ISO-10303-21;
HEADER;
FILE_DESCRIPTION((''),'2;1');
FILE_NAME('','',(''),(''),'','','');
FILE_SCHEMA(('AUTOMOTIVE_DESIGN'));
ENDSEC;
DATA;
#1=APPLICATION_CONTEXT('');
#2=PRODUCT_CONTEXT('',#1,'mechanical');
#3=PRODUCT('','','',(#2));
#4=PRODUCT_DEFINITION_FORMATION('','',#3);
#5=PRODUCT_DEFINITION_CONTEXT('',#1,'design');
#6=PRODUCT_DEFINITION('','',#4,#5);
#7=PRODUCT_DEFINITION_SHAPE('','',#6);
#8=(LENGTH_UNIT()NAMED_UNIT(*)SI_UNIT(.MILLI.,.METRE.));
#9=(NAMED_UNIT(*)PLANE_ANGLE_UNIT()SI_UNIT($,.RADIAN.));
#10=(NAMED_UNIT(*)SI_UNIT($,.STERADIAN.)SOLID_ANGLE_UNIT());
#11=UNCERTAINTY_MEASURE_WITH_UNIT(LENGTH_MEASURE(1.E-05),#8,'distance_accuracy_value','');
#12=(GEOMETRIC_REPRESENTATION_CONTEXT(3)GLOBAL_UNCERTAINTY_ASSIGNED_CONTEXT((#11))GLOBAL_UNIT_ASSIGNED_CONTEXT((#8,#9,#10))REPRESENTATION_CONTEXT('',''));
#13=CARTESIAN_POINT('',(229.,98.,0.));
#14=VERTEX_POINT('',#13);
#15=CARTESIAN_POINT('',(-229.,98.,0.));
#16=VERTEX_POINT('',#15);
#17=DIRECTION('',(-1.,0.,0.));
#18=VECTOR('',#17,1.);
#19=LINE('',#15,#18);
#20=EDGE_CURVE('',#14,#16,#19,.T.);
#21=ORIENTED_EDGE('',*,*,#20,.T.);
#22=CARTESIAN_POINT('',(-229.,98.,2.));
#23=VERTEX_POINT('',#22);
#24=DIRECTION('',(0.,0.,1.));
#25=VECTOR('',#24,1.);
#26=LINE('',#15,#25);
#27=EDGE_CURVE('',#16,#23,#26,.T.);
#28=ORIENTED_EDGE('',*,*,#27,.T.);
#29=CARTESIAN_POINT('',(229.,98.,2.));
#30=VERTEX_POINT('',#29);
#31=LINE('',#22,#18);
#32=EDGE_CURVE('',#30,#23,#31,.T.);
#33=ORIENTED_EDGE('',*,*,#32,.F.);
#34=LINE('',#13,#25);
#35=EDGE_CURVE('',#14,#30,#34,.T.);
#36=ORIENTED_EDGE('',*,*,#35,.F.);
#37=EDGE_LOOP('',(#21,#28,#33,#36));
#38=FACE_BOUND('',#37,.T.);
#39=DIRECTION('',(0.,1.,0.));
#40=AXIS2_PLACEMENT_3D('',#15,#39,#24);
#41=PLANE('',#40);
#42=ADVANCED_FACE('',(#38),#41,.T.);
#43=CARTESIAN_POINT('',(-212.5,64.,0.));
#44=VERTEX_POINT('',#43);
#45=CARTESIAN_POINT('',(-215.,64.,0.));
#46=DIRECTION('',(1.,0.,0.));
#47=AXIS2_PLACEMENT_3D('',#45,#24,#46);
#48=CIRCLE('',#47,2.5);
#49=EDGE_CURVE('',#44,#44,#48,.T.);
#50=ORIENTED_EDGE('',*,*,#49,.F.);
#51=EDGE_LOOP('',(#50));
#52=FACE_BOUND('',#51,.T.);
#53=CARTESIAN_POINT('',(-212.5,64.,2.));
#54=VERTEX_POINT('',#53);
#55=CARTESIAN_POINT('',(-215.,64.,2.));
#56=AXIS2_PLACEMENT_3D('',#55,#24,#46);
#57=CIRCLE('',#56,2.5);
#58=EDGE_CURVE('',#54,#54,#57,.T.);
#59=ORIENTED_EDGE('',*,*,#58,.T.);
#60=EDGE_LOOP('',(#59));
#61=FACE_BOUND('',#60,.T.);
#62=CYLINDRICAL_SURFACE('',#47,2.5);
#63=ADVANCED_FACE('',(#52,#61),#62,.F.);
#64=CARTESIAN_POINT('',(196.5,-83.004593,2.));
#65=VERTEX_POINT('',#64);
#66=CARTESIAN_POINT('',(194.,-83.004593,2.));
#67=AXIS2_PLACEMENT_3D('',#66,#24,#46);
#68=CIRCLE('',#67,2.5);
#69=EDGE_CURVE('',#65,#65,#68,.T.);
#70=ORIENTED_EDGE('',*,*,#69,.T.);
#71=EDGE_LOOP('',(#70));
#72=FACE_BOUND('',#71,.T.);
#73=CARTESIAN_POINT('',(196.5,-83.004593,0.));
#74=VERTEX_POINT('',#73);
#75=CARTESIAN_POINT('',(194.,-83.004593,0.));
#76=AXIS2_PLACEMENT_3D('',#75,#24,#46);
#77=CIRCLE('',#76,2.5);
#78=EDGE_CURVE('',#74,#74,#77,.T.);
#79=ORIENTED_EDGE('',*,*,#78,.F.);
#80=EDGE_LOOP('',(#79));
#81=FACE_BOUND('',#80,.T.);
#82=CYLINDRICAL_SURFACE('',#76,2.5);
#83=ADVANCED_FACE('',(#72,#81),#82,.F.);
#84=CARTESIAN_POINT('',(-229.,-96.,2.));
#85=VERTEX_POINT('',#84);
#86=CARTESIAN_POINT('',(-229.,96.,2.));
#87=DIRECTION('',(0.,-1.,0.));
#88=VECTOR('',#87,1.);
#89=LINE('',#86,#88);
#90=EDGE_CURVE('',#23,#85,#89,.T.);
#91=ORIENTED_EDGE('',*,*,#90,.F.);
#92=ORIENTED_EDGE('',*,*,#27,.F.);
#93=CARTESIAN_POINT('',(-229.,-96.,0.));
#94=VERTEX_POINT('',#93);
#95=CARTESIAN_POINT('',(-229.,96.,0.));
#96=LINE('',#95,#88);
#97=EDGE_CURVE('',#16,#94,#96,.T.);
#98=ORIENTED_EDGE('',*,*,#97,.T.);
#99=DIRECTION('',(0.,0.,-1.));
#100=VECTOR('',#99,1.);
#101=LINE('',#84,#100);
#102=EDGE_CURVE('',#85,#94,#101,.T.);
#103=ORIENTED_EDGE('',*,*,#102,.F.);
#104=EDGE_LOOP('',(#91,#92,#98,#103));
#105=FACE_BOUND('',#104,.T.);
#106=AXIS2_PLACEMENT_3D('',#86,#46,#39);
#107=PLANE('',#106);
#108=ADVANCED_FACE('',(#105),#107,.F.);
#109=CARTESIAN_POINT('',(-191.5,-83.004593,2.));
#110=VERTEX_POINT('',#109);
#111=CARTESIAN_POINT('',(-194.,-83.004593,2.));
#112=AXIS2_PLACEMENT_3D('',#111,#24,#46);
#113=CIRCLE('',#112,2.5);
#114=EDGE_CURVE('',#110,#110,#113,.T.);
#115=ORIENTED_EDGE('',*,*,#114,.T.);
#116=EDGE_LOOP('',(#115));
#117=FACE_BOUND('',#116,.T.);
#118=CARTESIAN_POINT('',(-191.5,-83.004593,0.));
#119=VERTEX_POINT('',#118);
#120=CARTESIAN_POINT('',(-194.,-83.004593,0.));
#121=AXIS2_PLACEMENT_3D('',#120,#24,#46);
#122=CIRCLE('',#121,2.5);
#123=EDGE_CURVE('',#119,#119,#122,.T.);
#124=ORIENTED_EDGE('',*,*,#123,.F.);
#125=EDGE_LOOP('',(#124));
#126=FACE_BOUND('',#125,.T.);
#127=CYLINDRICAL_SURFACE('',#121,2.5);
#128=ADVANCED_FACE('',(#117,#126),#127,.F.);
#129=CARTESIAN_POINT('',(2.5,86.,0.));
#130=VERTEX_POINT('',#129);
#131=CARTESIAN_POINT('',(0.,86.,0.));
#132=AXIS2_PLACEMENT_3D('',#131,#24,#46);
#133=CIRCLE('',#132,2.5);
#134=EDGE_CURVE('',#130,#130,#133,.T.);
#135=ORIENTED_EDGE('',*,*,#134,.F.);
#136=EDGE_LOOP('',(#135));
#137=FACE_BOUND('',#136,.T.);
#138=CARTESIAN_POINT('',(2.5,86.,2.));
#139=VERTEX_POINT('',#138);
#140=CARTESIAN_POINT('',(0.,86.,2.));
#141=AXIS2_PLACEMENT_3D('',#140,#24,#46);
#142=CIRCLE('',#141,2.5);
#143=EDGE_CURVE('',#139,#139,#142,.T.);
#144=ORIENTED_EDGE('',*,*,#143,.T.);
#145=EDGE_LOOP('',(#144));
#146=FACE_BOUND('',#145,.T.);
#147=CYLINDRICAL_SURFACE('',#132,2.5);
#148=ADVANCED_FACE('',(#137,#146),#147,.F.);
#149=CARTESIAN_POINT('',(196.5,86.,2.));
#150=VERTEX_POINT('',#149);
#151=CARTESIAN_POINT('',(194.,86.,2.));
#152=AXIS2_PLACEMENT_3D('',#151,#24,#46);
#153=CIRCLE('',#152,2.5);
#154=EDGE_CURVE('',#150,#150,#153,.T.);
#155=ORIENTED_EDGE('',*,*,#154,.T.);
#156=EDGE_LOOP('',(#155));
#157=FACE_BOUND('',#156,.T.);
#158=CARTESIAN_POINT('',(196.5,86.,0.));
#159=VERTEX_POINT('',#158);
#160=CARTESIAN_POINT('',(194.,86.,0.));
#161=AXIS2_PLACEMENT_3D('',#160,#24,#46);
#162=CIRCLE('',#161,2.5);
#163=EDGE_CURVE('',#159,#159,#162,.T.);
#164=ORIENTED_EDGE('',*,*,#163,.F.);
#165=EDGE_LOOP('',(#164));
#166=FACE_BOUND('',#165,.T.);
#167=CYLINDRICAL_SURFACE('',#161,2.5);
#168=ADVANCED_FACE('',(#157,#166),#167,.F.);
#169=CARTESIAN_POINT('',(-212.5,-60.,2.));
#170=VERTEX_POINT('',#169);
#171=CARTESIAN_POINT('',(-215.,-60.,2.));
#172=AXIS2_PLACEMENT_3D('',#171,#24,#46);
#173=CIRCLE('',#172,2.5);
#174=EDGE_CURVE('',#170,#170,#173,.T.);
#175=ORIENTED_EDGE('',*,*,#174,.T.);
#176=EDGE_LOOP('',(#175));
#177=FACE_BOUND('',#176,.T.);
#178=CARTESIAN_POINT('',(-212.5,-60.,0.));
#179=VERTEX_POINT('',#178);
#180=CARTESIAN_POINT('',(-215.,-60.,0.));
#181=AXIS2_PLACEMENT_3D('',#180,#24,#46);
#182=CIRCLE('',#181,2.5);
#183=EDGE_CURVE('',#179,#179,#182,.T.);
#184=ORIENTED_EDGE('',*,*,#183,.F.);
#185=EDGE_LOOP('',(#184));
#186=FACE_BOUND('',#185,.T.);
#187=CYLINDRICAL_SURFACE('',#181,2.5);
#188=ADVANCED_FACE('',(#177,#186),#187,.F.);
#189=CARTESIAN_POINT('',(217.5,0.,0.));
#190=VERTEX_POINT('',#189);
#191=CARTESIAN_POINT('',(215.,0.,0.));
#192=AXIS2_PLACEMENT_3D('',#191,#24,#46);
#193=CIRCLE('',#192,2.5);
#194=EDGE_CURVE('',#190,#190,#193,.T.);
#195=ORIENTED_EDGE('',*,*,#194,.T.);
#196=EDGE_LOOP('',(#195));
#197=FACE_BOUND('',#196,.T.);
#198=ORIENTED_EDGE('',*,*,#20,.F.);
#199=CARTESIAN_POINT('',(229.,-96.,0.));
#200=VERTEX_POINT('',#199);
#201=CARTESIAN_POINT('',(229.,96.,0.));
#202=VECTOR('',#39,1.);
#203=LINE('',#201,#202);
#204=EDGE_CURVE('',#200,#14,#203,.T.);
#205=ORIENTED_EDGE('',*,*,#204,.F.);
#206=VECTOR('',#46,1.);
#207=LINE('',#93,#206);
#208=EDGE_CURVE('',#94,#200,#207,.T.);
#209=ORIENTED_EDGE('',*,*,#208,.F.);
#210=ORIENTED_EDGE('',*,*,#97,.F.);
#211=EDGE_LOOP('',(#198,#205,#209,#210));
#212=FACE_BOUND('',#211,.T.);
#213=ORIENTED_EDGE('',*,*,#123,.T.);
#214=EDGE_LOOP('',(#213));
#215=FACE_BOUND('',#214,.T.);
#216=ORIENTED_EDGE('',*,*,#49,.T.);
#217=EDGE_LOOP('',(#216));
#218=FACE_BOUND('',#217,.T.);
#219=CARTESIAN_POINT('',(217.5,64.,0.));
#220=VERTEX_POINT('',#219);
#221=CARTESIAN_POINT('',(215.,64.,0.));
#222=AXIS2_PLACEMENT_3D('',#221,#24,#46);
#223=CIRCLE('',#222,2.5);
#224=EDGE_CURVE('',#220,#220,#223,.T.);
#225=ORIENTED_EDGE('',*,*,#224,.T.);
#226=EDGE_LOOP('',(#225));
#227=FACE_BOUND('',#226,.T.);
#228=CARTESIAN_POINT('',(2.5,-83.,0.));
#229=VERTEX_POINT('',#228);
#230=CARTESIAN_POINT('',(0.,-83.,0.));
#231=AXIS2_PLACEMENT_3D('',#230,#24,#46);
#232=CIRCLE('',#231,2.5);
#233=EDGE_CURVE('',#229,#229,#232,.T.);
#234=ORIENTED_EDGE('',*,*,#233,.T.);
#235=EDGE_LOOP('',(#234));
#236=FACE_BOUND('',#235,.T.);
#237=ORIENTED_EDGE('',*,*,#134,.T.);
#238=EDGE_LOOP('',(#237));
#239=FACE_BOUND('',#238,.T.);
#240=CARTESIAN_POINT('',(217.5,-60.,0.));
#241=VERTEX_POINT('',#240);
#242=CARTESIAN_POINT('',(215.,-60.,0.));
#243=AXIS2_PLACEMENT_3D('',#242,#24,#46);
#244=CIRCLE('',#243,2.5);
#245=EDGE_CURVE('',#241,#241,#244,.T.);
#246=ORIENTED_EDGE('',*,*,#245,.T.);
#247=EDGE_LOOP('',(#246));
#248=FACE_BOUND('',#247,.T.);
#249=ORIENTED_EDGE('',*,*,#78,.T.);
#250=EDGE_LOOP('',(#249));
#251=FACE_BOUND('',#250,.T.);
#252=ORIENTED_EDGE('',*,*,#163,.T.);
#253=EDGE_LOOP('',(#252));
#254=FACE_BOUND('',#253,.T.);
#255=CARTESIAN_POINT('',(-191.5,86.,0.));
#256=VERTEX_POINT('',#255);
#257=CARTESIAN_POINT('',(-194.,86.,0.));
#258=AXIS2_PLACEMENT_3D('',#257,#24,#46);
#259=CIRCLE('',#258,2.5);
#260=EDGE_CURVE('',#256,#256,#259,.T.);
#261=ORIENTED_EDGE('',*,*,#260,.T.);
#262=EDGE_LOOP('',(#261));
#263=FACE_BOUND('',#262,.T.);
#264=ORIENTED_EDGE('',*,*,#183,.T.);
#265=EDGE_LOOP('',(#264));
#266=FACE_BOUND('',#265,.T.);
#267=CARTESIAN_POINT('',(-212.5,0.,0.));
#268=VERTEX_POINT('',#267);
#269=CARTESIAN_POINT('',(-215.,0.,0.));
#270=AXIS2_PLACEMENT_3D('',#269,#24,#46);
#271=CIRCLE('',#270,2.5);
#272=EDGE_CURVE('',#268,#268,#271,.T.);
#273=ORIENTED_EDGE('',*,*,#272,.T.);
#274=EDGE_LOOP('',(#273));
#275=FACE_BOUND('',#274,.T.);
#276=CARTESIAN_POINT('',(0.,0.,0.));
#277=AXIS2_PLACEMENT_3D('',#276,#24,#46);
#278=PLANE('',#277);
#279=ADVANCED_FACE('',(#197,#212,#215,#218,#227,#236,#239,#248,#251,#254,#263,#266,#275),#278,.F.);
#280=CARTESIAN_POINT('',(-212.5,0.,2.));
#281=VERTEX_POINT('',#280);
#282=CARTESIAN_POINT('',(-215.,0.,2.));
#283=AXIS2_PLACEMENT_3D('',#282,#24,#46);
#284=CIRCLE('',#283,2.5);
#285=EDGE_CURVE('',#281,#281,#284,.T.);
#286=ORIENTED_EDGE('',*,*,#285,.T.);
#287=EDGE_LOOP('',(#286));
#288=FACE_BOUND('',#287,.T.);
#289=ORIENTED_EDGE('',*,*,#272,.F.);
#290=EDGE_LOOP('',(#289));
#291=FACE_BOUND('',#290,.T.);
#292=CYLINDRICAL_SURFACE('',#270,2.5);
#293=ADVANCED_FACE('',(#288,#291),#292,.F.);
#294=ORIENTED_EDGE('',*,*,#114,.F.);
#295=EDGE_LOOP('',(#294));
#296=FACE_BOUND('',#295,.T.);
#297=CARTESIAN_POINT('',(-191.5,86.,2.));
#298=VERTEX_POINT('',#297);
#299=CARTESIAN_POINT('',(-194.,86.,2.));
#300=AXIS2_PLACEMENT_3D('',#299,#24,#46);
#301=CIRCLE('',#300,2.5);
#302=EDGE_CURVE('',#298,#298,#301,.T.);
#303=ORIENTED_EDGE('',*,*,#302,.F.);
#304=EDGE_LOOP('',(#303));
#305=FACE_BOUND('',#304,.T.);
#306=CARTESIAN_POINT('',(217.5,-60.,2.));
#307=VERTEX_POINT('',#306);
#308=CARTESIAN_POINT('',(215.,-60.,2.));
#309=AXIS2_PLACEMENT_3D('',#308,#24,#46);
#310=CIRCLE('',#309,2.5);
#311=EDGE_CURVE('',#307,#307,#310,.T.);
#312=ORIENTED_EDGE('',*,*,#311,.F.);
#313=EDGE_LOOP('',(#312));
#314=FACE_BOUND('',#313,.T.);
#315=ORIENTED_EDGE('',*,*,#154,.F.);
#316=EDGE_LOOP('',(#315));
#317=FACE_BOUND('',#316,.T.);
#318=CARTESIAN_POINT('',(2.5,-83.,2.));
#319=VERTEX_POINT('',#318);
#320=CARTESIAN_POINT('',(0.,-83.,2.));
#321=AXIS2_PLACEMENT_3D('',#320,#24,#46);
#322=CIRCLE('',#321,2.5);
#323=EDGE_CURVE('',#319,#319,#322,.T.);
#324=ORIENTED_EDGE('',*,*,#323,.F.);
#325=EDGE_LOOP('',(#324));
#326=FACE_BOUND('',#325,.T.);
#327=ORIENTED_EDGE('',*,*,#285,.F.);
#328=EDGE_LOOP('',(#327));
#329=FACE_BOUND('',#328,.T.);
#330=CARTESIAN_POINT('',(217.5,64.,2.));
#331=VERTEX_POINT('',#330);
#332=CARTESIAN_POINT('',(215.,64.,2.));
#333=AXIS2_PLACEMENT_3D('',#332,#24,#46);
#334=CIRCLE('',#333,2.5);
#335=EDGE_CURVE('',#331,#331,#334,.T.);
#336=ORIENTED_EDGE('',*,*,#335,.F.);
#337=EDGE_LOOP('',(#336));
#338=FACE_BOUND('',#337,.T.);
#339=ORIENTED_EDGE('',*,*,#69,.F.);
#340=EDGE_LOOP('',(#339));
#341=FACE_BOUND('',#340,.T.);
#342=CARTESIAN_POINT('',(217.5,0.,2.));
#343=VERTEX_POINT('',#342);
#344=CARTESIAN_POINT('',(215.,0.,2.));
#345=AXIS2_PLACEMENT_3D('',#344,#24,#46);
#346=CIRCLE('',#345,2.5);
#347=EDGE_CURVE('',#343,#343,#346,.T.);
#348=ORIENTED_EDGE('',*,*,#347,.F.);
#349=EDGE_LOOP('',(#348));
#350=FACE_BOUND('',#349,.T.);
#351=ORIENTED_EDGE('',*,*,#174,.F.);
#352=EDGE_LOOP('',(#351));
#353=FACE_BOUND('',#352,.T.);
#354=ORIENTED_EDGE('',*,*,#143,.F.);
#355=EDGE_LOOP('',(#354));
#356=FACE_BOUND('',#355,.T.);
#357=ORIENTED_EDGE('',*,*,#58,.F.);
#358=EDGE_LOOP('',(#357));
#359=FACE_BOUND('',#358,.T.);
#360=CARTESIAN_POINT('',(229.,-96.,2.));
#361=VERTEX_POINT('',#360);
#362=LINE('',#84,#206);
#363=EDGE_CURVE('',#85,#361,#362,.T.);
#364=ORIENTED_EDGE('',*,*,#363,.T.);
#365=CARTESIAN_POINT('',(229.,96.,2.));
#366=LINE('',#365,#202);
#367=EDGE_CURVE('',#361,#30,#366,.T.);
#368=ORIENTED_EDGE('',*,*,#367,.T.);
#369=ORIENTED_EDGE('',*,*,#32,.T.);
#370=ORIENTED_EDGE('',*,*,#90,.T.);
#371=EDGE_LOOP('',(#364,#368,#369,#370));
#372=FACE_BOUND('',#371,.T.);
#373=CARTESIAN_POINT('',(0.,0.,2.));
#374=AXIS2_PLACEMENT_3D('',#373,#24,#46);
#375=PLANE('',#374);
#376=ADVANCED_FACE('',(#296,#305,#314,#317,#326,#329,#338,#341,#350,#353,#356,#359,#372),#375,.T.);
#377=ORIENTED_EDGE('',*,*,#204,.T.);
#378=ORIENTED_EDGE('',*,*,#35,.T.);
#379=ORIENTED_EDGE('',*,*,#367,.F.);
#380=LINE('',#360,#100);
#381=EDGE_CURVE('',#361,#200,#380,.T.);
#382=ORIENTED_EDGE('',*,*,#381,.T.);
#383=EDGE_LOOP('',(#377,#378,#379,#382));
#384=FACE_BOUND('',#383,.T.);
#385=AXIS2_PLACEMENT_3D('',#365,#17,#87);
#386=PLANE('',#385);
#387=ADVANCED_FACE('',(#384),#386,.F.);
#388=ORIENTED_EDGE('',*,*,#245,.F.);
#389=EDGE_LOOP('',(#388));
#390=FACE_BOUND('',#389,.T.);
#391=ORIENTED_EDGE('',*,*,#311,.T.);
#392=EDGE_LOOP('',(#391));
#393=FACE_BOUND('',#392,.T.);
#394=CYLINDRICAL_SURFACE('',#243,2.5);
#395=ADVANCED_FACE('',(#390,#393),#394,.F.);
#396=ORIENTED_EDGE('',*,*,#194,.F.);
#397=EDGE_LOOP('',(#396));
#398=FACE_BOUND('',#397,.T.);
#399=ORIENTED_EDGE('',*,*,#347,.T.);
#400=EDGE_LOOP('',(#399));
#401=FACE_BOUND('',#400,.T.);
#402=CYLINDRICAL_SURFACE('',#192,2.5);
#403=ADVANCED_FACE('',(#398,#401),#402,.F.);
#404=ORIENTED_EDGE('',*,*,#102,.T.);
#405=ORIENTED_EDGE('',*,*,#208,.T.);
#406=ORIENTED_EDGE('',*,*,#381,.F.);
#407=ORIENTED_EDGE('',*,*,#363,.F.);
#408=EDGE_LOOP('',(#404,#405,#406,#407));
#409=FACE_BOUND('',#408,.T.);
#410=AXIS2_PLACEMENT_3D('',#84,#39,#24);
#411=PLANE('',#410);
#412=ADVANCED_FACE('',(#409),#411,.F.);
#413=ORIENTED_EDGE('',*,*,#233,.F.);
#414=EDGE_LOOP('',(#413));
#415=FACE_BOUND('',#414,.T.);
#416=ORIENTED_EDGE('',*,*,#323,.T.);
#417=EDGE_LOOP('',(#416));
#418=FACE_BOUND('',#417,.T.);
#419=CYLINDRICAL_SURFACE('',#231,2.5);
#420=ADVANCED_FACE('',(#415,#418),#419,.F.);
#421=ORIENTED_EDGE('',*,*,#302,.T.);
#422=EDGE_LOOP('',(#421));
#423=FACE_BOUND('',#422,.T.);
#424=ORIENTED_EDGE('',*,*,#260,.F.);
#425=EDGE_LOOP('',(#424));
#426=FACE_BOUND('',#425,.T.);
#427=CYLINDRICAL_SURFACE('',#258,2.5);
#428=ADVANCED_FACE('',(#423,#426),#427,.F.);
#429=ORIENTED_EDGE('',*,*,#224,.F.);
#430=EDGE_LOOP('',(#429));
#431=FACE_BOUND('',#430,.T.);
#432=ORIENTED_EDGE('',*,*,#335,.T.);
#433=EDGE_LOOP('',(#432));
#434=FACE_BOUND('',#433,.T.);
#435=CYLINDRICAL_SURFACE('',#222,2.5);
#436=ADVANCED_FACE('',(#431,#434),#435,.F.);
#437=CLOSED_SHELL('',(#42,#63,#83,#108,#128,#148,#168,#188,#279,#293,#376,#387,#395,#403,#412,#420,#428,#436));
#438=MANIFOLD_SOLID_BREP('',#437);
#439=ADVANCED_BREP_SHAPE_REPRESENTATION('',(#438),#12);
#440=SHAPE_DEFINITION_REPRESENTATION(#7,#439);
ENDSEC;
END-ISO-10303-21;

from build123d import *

# Parameters (mm, degrees)
SKETCH1_W           = 458
SKETCH1_H           = 192
BOSS_EXTRUDE1_DEPTH = 2
SKETCH2_R           = 2.5
CUT_EXTRUDE1_DEPTH  = 249.316330514
SKETCH3_W           = 458
SKETCH3_H           = 2
BOSS_EXTRUDE2_DEPTH = 2


with BuildPart() as part:
    # Sketch1 → Boss-Extrude1 (new body)
    with BuildSketch(Plane.XY):
        Rectangle(SKETCH1_W, SKETCH1_H)
    extrude(amount=BOSS_EXTRUDE1_DEPTH)

    # Sketch2 → Cut-Extrude1 (cut, through all)
    with BuildSketch(Plane.XY.offset(2)):
        with Locations((-194, 86)):
            Circle(SKETCH2_R)
        with Locations((-194, -83.004592541)):
            Circle(SKETCH2_R)
        with Locations((194, -83.004592541)):
            Circle(SKETCH2_R)
        with Locations((194, 86)):
            Circle(SKETCH2_R)
        with Locations((-215, 0)):
            Circle(SKETCH2_R)
        with Locations((-215, -60)):
            Circle(SKETCH2_R)
        with Locations((-215, 64)):
            Circle(SKETCH2_R)
        with Locations((215, 0)):
            Circle(SKETCH2_R)
        with Locations((215, -60)):
            Circle(SKETCH2_R)
        with Locations((215, 64)):
            Circle(SKETCH2_R)
        with Locations((0, 86)):
            Circle(SKETCH2_R)
        with Locations((0, -83)):
            Circle(SKETCH2_R)
    extrude(amount=-CUT_EXTRUDE1_DEPTH, mode=Mode.SUBTRACT)

    # Sketch3 → Boss-Extrude2 (add, through all)
    with BuildSketch(Plane.XY.offset(2)):
        with Locations((0, 97)):
            Rectangle(SKETCH3_W, SKETCH3_H)
    extrude(amount=-BOSS_EXTRUDE2_DEPTH)


solid = part.part
